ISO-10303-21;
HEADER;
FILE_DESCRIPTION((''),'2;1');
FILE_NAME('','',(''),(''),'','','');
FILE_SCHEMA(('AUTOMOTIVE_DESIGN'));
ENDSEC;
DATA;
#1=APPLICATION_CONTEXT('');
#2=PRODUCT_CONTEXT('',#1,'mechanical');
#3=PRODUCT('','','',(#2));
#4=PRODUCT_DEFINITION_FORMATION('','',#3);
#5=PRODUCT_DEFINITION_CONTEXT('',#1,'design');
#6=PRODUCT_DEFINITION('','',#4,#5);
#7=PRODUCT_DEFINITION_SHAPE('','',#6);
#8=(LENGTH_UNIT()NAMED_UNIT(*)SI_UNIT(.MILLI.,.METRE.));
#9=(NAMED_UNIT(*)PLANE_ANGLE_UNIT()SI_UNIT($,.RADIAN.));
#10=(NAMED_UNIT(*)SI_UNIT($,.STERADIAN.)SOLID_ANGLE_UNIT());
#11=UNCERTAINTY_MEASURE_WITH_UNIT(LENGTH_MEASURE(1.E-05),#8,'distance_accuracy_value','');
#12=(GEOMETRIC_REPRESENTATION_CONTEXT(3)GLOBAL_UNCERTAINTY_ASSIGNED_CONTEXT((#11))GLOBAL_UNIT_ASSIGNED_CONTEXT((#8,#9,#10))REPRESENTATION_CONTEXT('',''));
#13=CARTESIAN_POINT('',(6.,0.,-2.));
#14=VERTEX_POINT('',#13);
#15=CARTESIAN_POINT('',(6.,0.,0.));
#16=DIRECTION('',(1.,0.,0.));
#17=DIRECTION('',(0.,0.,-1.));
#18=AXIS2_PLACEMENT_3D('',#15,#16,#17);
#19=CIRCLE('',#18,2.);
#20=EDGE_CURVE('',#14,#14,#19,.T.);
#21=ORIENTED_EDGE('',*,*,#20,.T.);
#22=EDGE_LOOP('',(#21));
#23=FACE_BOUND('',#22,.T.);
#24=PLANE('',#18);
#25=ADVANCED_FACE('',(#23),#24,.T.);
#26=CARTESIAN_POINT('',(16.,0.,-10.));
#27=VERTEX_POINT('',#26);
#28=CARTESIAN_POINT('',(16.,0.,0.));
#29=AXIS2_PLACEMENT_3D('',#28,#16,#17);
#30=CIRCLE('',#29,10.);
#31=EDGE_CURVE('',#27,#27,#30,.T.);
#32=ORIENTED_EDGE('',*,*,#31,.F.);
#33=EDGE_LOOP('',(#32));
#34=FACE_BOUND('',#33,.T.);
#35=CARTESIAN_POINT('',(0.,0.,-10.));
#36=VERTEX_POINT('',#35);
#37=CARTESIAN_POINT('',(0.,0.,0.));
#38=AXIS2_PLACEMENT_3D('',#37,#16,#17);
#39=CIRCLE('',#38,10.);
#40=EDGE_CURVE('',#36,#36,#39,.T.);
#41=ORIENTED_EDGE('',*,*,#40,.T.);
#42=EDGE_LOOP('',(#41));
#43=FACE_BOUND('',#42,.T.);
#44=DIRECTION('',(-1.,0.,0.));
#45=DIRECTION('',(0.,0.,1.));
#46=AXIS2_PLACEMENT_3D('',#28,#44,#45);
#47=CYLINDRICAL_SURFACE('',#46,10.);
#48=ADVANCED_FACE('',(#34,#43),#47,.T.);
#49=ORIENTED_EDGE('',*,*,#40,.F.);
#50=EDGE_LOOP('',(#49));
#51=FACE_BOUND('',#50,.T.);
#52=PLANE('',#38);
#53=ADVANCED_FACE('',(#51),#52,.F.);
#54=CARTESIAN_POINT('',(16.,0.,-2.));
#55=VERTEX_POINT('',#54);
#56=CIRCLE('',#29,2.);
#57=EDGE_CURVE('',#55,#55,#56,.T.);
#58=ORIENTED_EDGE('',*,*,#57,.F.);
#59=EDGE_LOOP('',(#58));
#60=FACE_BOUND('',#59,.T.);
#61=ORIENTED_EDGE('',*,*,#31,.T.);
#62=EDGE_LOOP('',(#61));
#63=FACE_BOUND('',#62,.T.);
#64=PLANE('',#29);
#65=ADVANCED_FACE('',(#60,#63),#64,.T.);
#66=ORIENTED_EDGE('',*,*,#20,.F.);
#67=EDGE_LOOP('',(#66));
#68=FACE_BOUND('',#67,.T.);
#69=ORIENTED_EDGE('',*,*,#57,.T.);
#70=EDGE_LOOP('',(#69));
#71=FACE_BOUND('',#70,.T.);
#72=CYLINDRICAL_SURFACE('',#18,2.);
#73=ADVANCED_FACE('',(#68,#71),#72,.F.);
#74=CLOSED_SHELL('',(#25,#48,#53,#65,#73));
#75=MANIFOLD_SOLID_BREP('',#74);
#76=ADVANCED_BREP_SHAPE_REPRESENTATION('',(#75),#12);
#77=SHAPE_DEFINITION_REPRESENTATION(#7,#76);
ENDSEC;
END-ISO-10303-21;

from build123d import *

# Parameters (mm, degrees)
SKETCH_1_R          = 10
EXTRUDE_1_DEPTH     = 16
SKETCH_2_R          = 2
CUT_EXTRUDE_1_DEPTH = 10


with BuildPart() as part:
    # 草图1 → 凸台-拉伸1 (new body)
    with BuildSketch(Plane(origin=(0, 0, 0), x_dir=(0, 0, -1), z_dir=(1, 0, 0))):
        Circle(SKETCH_1_R)
    extrude(amount=EXTRUDE_1_DEPTH)

    # 草图2 → 切除-拉伸1 (cut)
    with BuildSketch(Plane(origin=(16, 0, 0), x_dir=(0, 0, -1), z_dir=(1, 0, 0))):
        Circle(SKETCH_2_R)
    extrude(amount=-CUT_EXTRUDE_1_DEPTH, mode=Mode.SUBTRACT)


solid = part.part
